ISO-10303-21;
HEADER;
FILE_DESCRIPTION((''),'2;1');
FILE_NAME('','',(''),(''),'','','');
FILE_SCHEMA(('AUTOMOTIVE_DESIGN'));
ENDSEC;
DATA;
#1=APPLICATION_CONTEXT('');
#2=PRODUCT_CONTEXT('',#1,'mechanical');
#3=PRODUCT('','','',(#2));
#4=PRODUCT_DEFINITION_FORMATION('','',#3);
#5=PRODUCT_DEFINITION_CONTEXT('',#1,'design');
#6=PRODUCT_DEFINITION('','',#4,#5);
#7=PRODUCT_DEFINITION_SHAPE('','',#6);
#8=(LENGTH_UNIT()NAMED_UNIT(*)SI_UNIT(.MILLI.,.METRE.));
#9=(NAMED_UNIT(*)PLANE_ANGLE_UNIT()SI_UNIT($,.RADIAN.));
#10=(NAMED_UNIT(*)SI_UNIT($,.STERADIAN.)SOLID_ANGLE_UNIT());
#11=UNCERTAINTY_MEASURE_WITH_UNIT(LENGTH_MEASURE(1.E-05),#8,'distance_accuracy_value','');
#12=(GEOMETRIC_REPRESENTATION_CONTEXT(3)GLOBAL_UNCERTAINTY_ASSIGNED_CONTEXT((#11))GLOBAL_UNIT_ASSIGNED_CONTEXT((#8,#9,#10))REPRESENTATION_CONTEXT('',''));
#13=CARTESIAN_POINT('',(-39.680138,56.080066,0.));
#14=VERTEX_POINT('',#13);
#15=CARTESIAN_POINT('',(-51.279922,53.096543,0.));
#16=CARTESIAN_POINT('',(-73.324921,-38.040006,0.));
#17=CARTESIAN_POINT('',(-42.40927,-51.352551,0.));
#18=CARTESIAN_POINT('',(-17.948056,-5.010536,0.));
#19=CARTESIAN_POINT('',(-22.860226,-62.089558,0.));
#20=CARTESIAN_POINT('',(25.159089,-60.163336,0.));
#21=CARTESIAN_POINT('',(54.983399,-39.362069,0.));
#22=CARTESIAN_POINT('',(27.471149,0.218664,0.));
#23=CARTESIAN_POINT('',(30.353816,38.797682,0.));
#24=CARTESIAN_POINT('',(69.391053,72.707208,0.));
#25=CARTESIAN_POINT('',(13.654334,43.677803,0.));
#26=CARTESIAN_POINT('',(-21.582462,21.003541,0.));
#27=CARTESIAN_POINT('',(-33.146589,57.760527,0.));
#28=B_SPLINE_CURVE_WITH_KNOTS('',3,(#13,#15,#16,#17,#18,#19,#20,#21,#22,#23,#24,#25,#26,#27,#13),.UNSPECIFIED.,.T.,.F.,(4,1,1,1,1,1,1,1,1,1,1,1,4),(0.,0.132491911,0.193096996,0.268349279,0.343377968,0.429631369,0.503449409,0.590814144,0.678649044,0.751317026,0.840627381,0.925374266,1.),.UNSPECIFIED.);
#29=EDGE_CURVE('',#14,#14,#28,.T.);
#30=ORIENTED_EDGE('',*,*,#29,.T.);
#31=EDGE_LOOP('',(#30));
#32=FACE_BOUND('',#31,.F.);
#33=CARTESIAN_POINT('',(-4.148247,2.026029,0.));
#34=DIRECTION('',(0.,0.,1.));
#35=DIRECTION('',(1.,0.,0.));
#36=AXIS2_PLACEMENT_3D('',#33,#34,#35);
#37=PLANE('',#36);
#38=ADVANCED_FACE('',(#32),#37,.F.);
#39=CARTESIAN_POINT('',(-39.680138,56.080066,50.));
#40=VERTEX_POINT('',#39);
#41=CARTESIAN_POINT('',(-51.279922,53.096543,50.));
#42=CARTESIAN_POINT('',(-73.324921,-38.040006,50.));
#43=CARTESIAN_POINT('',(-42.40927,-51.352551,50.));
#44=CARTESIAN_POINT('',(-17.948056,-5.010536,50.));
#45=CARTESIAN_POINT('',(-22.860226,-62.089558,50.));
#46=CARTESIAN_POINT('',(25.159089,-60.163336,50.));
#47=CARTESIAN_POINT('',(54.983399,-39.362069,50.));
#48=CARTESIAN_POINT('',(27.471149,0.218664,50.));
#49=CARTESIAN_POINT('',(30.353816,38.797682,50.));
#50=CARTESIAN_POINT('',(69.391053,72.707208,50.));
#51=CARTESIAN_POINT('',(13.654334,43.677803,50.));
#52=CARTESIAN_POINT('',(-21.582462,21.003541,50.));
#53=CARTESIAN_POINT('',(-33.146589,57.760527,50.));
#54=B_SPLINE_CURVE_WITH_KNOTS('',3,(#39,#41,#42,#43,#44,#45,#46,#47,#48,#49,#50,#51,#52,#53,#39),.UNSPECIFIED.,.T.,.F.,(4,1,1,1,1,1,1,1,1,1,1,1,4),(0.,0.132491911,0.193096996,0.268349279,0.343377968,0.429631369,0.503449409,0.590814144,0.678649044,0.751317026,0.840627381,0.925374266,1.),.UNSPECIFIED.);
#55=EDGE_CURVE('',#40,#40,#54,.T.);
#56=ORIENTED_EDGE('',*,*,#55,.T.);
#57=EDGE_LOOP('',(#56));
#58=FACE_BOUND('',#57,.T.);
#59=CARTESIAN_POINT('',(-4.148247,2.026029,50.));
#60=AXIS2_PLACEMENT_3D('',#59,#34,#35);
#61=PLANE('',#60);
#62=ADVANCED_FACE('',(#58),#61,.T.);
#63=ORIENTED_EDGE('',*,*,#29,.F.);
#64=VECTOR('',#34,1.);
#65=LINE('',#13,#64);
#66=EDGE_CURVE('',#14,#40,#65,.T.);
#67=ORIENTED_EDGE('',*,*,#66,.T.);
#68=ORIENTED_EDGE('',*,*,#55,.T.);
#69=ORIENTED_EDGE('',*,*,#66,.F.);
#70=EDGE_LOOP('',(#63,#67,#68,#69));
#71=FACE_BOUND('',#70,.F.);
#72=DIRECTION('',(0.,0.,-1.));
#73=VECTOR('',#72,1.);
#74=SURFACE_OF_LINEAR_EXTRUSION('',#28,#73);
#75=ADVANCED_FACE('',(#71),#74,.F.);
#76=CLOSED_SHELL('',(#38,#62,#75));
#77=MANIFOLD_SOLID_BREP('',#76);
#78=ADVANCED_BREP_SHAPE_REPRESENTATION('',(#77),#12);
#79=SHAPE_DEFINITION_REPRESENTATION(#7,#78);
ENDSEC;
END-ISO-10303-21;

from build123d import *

# Parameters (mm, degrees)
F1_DEPTH = 50


with BuildPart() as f1:
    # F0 (on Top) → F1 (new body)
    with BuildSketch(Plane.XY):
        with BuildLine():
            add(Edge.make_bspline(
                [(-39.6801382303, 56.0800656676), (-51.2799219305, 53.0965431104), (-73.324921164, -38.0400060011), (-42.4092697074, -51.3525506171), (-17.9480560329, -5.0105357198), (-22.8602255293, -62.0895583543), (25.1590893789, -60.163335945), (54.983398552, -39.3620686399), (27.4711492446, 0.2186638161), (30.3538161883, 38.7976817241), (69.3910525631, 72.7072084483), (13.6543335188, 43.6778030088), (-21.5824623801, 21.0035409386), (-33.1465893421, 57.7605272168), (-39.6801382303, 56.0800656676)],
                knots=[0, 0, 0, 0, 0.1324919112, 0.1930969955, 0.2683492787, 0.343377968, 0.4296313694, 0.5034494089, 0.5908141442, 0.6786490436, 0.751317026, 0.8406273808, 0.9253742655, 1, 1, 1, 1], degree=3))
        make_face()
    extrude(amount=F1_DEPTH)


solid = f1.part
